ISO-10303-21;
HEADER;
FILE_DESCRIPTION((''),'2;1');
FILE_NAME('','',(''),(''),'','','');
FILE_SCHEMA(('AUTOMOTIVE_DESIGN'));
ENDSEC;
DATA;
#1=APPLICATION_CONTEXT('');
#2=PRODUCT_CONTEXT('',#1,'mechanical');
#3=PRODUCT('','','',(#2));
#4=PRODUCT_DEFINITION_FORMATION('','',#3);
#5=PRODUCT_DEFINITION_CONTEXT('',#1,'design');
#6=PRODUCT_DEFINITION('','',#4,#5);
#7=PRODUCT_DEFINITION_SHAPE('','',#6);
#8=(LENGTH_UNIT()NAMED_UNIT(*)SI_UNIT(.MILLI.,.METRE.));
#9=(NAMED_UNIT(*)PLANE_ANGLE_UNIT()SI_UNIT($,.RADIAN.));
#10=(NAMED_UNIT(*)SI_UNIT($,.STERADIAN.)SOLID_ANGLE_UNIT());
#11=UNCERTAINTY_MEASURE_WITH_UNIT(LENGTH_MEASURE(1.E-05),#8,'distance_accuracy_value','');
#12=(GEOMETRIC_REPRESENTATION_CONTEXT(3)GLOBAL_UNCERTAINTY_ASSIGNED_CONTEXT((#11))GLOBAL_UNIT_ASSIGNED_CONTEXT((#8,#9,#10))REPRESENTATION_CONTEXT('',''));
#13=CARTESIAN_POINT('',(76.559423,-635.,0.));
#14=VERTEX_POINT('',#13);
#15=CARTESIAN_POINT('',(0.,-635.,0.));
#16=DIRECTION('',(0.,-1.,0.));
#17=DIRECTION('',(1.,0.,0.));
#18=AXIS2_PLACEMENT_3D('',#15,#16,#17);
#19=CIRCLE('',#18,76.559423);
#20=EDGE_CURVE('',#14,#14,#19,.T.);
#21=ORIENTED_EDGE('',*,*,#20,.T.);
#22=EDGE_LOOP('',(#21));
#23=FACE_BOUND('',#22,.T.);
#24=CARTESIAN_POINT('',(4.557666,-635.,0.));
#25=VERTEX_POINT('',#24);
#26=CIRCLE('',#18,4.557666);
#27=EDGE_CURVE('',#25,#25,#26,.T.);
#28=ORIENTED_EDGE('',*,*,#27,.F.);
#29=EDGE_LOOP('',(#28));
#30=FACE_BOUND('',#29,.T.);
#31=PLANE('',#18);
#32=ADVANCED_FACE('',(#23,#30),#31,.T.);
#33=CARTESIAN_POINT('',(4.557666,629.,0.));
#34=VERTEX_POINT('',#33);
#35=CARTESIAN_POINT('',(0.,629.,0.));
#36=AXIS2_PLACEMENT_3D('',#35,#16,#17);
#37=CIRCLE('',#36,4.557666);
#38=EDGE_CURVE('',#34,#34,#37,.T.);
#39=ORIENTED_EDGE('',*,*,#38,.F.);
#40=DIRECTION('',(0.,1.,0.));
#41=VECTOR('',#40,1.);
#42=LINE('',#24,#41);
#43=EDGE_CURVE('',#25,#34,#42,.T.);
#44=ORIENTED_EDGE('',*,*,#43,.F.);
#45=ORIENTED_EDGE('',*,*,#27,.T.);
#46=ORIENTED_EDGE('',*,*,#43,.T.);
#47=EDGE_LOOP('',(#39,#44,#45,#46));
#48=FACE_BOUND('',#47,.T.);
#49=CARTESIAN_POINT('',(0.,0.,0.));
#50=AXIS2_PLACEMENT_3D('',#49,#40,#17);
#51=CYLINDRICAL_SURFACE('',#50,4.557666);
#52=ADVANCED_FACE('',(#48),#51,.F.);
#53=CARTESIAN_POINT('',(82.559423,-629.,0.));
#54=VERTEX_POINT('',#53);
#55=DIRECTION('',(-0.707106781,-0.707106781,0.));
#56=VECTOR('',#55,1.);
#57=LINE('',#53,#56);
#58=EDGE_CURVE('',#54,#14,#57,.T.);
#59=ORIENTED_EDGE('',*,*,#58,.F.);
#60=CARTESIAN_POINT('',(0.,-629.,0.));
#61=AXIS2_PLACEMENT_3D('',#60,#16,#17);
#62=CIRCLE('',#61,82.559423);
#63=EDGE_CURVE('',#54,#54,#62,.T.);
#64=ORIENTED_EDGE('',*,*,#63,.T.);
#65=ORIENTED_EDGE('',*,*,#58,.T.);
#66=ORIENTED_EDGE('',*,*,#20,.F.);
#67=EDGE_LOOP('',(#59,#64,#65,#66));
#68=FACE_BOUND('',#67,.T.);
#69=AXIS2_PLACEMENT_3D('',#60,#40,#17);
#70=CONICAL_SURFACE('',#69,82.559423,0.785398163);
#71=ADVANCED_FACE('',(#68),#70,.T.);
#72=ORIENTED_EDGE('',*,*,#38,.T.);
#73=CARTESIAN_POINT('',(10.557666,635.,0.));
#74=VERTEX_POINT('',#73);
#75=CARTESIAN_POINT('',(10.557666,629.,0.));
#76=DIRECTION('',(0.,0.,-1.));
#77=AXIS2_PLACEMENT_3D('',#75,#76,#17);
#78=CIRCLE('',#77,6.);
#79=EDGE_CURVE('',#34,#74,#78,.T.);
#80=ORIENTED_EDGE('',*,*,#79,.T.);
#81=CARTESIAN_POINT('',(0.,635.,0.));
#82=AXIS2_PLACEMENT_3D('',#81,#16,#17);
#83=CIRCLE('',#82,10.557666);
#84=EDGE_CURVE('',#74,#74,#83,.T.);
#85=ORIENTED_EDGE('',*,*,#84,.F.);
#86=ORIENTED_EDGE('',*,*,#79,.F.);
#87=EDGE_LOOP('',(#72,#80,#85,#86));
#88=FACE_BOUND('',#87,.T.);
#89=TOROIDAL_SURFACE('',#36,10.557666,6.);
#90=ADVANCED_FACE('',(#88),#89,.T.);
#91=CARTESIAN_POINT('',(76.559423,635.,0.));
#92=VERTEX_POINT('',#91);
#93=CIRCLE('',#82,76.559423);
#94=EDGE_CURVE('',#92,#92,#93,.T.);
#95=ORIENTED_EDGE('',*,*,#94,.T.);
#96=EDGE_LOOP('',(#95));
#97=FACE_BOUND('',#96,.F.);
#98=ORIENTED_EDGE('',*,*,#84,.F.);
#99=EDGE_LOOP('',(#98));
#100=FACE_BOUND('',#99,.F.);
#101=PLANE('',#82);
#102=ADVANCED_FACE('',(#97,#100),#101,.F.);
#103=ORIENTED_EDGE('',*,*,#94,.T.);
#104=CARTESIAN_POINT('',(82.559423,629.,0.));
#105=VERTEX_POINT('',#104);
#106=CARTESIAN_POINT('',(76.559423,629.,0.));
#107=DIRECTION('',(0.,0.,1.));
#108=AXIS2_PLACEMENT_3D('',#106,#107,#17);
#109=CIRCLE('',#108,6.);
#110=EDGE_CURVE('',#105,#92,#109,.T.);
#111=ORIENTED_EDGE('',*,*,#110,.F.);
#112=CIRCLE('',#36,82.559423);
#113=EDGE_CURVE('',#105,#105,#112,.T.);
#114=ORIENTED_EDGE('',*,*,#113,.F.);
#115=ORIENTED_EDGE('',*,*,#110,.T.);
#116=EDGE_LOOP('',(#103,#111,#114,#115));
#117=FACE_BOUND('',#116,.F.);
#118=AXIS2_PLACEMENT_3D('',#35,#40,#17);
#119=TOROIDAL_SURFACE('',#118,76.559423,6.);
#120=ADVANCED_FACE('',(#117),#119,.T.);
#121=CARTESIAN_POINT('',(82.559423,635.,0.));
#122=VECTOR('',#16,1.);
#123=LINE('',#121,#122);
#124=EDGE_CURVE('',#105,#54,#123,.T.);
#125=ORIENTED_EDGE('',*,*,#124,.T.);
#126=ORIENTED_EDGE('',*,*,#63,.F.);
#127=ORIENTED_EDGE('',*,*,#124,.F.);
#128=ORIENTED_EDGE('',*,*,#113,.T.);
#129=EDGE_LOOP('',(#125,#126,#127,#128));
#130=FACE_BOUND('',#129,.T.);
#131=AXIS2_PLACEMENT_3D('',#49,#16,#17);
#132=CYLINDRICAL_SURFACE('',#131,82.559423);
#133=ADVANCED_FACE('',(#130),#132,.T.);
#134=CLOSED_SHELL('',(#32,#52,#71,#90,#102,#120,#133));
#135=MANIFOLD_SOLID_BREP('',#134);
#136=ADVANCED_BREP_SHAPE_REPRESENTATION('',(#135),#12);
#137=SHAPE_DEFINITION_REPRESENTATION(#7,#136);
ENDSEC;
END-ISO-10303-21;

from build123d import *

# Parameters (mm, degrees)
F0_R     = 82.559423
F0_R_2   = 4.557666
F1_DEPTH = 635
F2_R     = 6
F3_SIZE  = 6


with BuildPart() as f1:
    # F0 (on Front) → F1 (new body, symmetric)
    with BuildSketch(Plane.XZ):
        Circle(F0_R)
        Circle(F0_R_2, mode=Mode.SUBTRACT)
    extrude(amount=F1_DEPTH, both=True)

    # F2
    f2_edges = [f1.edges().sort_by_distance(p)[0] for p in [
        (-82.559423, 635, 0),
        (-4.557666, 635, 0),
    ]]
    fillet(f2_edges, radius=F2_R)

    # F3
    f3_edges = [f1.edges().sort_by_distance(p)[0] for p in [
        (-82.559423, -635, 0),
    ]]
    chamfer(f3_edges, length=F3_SIZE)


solid = f1.part
